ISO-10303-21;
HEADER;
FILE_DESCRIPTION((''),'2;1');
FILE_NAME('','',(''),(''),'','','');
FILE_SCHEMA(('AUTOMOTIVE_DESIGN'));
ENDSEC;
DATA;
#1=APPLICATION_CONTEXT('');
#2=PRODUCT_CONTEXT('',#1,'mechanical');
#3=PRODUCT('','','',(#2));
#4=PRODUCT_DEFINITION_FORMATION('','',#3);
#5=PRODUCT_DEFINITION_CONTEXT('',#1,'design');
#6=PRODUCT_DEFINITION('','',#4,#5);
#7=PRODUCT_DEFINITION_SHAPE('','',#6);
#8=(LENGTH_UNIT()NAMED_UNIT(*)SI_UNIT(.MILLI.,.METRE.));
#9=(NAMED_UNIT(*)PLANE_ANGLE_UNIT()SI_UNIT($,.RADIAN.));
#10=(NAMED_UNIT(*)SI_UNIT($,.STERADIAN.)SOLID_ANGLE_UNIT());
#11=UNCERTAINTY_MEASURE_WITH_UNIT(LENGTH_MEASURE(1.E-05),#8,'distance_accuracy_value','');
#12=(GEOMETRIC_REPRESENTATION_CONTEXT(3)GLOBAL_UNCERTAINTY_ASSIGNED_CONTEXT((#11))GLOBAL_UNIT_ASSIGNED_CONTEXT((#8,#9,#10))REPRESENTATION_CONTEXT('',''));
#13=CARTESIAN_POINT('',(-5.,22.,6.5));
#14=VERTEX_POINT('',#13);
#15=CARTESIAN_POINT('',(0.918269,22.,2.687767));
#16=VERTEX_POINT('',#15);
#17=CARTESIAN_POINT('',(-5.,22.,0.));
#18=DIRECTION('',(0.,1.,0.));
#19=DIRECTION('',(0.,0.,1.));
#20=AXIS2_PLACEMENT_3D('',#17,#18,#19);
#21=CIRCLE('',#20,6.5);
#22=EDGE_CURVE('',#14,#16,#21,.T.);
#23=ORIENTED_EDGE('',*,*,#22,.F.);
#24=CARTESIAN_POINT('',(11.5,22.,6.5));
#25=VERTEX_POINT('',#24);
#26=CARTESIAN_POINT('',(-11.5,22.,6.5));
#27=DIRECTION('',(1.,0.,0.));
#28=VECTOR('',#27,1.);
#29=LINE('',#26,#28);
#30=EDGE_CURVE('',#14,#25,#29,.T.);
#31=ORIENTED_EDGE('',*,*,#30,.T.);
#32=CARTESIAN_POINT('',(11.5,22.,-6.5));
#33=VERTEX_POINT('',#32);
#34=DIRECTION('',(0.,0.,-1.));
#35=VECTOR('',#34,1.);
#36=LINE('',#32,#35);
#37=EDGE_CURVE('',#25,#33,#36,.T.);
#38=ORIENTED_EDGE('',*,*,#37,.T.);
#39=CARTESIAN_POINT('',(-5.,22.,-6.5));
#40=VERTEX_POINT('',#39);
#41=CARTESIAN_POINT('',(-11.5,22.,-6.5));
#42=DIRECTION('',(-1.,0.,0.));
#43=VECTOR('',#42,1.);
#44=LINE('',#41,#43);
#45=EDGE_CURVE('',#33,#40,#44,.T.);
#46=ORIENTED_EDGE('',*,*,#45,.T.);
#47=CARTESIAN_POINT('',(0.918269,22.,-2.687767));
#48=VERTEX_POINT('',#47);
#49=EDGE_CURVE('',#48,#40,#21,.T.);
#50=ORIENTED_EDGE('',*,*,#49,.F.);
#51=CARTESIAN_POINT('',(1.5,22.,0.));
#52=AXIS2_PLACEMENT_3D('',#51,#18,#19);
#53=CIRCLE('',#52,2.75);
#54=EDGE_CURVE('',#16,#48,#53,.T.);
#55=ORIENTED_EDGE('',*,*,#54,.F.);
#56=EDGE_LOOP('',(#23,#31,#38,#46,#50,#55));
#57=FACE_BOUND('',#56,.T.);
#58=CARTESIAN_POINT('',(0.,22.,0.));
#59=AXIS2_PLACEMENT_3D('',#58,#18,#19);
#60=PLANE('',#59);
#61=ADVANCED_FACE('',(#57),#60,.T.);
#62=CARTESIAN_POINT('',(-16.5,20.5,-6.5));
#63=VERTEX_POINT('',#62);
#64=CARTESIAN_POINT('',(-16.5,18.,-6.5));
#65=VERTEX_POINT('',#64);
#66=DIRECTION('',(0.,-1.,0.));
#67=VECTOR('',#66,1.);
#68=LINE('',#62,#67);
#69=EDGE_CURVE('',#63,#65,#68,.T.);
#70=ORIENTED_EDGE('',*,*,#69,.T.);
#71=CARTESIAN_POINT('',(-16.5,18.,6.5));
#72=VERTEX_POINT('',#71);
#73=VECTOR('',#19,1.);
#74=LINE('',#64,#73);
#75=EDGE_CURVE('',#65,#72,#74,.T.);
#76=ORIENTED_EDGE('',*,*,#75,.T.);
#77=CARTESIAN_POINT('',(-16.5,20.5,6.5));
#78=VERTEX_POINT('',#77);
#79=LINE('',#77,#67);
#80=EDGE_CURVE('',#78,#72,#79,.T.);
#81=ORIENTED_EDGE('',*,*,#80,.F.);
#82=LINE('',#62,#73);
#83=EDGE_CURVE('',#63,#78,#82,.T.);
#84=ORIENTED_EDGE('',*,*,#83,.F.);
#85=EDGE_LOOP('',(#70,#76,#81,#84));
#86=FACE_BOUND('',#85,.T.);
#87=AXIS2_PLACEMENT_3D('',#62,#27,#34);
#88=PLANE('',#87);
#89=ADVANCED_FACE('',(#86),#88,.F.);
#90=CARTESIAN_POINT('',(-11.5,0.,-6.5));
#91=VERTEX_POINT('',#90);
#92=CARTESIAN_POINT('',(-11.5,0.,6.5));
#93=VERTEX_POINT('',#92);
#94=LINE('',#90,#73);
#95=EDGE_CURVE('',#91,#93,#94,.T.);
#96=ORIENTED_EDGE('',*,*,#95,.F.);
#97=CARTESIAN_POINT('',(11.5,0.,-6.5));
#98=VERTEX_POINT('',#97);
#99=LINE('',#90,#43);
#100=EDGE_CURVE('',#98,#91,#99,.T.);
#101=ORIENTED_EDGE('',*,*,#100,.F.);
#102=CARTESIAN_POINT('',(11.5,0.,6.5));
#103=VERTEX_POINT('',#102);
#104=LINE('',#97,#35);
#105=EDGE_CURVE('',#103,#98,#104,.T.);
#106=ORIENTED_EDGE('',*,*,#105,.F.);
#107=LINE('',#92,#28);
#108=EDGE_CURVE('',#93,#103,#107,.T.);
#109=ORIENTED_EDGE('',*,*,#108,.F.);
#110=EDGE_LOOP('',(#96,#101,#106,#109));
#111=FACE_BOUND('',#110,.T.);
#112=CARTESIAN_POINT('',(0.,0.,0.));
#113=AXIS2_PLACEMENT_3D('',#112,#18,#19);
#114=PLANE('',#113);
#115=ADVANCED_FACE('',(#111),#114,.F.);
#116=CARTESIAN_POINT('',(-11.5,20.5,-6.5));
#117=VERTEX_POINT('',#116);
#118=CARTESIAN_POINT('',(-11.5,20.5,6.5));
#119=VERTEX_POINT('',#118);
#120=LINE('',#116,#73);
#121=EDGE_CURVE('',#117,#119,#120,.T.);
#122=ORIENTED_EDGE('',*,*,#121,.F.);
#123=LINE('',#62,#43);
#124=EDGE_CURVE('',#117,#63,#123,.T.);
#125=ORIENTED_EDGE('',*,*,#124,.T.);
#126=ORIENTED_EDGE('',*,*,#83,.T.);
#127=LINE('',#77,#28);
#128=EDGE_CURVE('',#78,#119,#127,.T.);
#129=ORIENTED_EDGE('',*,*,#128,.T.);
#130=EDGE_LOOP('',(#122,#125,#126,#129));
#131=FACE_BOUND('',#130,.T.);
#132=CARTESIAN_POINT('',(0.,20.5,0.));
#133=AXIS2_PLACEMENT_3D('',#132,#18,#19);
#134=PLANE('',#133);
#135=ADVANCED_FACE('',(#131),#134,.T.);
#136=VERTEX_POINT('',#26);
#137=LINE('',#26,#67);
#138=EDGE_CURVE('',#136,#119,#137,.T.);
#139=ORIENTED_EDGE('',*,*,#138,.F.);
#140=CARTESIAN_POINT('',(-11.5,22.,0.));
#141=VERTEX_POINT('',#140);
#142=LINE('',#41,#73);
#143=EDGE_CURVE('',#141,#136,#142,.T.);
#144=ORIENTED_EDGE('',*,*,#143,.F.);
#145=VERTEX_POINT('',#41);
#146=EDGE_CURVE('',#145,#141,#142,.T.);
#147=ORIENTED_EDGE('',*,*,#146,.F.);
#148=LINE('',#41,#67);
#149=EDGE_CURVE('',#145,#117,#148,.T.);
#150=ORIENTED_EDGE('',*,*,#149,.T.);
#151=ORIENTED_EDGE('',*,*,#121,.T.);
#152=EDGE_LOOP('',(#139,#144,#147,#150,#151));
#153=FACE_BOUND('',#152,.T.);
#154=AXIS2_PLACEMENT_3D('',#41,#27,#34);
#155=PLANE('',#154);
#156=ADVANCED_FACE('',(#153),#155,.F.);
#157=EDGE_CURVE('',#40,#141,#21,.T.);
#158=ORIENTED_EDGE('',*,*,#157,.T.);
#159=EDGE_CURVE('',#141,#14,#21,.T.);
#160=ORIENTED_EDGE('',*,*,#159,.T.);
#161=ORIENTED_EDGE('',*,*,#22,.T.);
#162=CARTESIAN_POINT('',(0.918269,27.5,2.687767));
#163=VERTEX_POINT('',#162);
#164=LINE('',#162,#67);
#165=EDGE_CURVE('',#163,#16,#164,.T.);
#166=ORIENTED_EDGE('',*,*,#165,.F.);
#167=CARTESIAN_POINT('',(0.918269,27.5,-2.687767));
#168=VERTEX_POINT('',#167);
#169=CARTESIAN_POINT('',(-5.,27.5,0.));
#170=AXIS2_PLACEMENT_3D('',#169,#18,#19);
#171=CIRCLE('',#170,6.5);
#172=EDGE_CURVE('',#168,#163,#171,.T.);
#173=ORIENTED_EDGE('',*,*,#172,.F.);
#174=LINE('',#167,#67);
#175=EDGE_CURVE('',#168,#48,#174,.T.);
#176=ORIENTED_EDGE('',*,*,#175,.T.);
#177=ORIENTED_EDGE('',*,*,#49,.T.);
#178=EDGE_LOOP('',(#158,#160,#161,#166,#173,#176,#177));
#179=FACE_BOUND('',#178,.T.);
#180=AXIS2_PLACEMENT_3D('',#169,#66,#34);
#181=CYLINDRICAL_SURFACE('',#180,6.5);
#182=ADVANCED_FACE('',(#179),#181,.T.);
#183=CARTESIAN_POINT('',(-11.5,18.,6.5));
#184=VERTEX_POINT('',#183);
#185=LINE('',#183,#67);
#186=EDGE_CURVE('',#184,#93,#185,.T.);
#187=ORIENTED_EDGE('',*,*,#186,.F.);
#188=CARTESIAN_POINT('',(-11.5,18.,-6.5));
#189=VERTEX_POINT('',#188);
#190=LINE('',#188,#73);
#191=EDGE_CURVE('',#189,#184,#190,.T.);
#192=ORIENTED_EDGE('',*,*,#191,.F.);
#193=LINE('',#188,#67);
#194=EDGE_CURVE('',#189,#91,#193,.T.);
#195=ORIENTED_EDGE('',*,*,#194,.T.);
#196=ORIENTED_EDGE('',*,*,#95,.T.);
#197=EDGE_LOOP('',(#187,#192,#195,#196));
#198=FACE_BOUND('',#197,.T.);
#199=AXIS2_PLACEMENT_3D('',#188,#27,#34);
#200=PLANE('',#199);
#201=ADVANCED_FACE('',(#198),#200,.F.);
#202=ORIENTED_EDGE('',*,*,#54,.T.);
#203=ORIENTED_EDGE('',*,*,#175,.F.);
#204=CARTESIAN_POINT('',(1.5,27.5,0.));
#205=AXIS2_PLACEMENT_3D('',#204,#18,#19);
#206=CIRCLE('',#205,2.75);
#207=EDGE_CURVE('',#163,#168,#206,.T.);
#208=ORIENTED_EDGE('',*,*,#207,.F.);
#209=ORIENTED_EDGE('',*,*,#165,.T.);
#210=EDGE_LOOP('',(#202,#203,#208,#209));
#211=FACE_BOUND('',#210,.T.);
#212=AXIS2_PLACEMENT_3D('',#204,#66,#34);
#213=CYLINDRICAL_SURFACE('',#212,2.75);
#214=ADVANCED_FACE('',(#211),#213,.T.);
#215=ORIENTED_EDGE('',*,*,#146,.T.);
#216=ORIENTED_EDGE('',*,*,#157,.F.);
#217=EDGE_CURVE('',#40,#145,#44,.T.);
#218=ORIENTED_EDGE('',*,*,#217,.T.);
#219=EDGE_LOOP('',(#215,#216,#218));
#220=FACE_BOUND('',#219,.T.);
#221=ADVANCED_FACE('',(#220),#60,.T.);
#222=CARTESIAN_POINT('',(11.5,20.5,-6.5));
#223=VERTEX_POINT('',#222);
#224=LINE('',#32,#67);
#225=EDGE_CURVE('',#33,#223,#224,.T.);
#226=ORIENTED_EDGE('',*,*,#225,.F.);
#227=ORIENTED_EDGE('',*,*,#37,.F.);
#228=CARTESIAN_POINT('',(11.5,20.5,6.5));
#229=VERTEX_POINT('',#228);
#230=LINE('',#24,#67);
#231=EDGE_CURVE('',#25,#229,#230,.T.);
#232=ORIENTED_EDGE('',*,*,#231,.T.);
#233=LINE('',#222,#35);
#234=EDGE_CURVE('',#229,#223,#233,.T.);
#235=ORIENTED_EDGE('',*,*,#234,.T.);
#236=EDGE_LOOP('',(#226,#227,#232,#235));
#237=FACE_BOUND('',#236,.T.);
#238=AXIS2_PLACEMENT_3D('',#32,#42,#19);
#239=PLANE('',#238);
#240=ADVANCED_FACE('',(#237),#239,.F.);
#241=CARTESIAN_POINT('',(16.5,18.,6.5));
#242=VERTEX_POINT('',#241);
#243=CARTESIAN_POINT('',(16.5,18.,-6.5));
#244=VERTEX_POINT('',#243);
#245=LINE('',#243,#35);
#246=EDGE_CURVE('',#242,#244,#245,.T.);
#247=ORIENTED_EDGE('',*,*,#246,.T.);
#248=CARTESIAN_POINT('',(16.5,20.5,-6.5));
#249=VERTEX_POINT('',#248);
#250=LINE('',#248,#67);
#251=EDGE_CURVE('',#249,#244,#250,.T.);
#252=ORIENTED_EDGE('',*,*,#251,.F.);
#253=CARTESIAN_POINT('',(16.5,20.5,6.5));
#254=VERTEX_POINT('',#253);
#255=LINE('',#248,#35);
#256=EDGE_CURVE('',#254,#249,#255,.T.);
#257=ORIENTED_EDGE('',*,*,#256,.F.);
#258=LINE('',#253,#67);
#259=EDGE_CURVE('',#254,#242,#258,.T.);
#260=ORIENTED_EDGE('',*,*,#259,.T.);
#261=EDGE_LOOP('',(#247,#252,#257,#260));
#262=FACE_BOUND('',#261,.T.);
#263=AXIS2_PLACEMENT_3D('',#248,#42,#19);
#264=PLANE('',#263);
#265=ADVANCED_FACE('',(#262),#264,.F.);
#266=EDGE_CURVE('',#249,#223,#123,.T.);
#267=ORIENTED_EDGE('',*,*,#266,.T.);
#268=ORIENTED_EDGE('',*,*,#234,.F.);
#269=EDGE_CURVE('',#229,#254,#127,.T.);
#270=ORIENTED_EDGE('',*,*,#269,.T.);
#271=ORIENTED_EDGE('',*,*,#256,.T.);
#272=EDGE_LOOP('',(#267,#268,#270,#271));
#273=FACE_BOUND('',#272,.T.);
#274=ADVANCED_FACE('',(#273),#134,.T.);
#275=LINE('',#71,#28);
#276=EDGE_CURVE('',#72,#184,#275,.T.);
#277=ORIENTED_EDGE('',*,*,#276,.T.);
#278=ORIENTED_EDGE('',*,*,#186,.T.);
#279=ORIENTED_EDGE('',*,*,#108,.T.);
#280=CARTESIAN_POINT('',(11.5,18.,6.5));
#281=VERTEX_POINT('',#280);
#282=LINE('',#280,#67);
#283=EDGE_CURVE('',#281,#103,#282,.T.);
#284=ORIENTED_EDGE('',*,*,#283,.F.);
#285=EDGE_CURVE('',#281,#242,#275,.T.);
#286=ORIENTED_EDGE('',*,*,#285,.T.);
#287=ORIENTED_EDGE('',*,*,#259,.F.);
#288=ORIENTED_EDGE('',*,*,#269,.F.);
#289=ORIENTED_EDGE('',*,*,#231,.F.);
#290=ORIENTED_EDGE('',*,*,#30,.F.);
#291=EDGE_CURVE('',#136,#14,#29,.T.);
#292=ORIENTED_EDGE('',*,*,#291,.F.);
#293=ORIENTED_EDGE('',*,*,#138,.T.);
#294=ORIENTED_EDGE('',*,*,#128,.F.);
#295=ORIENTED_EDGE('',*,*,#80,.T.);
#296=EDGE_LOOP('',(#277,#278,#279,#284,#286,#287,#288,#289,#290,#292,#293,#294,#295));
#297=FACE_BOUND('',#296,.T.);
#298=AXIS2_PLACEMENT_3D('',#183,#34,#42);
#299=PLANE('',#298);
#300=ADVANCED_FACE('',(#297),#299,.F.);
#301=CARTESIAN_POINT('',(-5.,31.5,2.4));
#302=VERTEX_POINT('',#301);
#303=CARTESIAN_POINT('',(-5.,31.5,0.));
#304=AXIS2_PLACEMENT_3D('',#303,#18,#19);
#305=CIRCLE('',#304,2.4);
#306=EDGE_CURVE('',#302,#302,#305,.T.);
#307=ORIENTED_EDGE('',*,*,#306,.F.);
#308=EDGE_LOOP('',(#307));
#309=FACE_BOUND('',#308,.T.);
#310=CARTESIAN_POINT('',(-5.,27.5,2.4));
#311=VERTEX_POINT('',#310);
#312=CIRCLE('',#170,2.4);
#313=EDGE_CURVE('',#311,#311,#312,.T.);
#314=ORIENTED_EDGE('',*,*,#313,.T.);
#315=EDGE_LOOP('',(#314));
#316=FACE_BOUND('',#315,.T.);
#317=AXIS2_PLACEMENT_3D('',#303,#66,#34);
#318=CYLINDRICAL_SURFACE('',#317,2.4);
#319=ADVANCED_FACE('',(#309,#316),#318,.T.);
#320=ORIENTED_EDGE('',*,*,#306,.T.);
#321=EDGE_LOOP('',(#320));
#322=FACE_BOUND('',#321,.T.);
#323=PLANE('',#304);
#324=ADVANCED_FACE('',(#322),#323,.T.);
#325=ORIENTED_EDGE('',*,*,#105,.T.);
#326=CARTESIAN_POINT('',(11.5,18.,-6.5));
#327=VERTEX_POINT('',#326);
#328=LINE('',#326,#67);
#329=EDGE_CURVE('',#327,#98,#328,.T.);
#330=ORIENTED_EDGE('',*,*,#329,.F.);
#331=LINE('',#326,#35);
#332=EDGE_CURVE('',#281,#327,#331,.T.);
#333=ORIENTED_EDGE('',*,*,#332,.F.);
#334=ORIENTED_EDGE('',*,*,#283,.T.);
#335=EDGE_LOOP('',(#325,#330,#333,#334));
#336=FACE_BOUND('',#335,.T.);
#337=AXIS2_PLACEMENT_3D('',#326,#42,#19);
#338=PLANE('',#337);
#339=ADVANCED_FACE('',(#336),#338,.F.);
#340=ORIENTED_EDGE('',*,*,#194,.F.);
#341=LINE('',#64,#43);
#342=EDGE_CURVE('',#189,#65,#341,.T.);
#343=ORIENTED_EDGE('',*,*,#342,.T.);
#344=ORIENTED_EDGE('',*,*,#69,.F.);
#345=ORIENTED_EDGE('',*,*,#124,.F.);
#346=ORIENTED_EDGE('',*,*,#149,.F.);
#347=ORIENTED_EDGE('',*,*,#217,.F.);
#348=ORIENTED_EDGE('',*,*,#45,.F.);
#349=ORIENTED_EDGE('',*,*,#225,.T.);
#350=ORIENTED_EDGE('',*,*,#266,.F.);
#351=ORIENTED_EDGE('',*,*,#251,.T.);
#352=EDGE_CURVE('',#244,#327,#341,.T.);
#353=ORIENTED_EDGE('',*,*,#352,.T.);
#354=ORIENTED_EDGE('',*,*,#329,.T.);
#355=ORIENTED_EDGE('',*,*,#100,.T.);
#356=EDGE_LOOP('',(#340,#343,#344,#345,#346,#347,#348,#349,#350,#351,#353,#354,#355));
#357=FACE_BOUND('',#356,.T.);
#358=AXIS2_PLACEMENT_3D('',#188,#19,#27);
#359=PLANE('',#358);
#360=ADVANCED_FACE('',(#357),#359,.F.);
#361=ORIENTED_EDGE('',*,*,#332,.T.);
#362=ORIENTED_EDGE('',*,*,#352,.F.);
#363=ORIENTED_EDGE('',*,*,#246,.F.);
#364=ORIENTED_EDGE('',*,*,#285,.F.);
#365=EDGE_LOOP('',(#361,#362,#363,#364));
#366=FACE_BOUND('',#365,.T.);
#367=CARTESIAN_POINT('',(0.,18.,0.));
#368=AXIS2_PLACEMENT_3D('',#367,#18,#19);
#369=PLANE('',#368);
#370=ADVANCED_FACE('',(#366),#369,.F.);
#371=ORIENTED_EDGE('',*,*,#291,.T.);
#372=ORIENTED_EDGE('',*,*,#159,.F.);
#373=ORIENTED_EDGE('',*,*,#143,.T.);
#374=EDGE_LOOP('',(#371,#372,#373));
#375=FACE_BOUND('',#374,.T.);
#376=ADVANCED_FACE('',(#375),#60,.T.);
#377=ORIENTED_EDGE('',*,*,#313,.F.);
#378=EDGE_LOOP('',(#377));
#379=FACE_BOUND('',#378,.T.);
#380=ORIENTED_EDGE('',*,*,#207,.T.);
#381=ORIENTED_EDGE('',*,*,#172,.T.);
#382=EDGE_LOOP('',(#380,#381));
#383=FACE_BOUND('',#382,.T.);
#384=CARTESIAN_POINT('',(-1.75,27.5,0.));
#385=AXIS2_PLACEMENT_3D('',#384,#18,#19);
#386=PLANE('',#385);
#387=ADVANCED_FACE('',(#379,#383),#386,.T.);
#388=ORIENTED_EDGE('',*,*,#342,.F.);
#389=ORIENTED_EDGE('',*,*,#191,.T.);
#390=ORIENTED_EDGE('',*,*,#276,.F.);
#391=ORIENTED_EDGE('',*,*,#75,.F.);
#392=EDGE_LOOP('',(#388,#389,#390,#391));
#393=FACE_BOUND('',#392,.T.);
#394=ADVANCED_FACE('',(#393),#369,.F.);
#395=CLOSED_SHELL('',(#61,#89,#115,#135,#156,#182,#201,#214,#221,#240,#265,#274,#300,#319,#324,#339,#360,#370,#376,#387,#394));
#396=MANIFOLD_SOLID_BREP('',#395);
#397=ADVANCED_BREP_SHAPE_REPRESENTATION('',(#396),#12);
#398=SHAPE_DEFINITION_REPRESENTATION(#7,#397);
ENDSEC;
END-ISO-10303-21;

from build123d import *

# Parameters (mm, degrees)
SKETCH1_W           = 23
SKETCH1_H           = 13
BOSS_EXTRUDE1_DEPTH = 18
SKETCH2_W           = 33
SKETCH2_H           = 13
BOSS_EXTRUDE2_DEPTH = 2.5
SKETCH3_W           = 23
SKETCH3_H           = 13
BOSS_EXTRUDE3_DEPTH = 1.5
BOSS_EXTRUDE4_DEPTH = 5.5
SKETCH5_R           = 2.4
BOSS_EXTRUDE5_DEPTH = 4


with BuildPart() as part:
    # Sketch1 → Boss-Extrude1 (new body)
    with BuildSketch(Plane(origin=(0, 0, 0), x_dir=(1, 0, 0), z_dir=(0, 1, 0))):
        Rectangle(SKETCH1_W, SKETCH1_H)
    extrude(amount=BOSS_EXTRUDE1_DEPTH)

    # Sketch2 → Boss-Extrude2 (add)
    with BuildSketch(Plane(origin=(0, 18, 0), x_dir=(1, 0, 0), z_dir=(0, 1, 0))):
        Rectangle(SKETCH2_W, SKETCH2_H)
    extrude(amount=BOSS_EXTRUDE2_DEPTH)

    # Sketch3 → Boss-Extrude3 (add)
    with BuildSketch(Plane(origin=(0, 20.5, 0), x_dir=(1, 0, 0), z_dir=(0, 1, 0))):
        Rectangle(SKETCH3_W, SKETCH3_H)
    extrude(amount=BOSS_EXTRUDE3_DEPTH)

    # Sketch4 → Boss-Extrude4 (add)
    with BuildSketch(Plane(origin=(0, 22, 0), x_dir=(1, 0, 0), z_dir=(0, 1, 0))):
        with BuildLine():
            ThreePointArc((0.918269231, 2.687766603), (-11.5, 0), (0.918269231, -2.687766603))
            ThreePointArc((0.918269231, -2.687766603), (4.25, 0), (0.918269231, 2.687766603))
        make_face()
    extrude(amount=BOSS_EXTRUDE4_DEPTH)

    # Sketch5 → Boss-Extrude5 (add)
    with BuildSketch(Plane(origin=(0, 27.5, 0), x_dir=(1, 0, 0), z_dir=(0, 1, 0))):
        with Locations(Location((-5, 0, 0), (0, 0, 270))):
            Circle(SKETCH5_R)
    extrude(amount=BOSS_EXTRUDE5_DEPTH)


solid = part.part
